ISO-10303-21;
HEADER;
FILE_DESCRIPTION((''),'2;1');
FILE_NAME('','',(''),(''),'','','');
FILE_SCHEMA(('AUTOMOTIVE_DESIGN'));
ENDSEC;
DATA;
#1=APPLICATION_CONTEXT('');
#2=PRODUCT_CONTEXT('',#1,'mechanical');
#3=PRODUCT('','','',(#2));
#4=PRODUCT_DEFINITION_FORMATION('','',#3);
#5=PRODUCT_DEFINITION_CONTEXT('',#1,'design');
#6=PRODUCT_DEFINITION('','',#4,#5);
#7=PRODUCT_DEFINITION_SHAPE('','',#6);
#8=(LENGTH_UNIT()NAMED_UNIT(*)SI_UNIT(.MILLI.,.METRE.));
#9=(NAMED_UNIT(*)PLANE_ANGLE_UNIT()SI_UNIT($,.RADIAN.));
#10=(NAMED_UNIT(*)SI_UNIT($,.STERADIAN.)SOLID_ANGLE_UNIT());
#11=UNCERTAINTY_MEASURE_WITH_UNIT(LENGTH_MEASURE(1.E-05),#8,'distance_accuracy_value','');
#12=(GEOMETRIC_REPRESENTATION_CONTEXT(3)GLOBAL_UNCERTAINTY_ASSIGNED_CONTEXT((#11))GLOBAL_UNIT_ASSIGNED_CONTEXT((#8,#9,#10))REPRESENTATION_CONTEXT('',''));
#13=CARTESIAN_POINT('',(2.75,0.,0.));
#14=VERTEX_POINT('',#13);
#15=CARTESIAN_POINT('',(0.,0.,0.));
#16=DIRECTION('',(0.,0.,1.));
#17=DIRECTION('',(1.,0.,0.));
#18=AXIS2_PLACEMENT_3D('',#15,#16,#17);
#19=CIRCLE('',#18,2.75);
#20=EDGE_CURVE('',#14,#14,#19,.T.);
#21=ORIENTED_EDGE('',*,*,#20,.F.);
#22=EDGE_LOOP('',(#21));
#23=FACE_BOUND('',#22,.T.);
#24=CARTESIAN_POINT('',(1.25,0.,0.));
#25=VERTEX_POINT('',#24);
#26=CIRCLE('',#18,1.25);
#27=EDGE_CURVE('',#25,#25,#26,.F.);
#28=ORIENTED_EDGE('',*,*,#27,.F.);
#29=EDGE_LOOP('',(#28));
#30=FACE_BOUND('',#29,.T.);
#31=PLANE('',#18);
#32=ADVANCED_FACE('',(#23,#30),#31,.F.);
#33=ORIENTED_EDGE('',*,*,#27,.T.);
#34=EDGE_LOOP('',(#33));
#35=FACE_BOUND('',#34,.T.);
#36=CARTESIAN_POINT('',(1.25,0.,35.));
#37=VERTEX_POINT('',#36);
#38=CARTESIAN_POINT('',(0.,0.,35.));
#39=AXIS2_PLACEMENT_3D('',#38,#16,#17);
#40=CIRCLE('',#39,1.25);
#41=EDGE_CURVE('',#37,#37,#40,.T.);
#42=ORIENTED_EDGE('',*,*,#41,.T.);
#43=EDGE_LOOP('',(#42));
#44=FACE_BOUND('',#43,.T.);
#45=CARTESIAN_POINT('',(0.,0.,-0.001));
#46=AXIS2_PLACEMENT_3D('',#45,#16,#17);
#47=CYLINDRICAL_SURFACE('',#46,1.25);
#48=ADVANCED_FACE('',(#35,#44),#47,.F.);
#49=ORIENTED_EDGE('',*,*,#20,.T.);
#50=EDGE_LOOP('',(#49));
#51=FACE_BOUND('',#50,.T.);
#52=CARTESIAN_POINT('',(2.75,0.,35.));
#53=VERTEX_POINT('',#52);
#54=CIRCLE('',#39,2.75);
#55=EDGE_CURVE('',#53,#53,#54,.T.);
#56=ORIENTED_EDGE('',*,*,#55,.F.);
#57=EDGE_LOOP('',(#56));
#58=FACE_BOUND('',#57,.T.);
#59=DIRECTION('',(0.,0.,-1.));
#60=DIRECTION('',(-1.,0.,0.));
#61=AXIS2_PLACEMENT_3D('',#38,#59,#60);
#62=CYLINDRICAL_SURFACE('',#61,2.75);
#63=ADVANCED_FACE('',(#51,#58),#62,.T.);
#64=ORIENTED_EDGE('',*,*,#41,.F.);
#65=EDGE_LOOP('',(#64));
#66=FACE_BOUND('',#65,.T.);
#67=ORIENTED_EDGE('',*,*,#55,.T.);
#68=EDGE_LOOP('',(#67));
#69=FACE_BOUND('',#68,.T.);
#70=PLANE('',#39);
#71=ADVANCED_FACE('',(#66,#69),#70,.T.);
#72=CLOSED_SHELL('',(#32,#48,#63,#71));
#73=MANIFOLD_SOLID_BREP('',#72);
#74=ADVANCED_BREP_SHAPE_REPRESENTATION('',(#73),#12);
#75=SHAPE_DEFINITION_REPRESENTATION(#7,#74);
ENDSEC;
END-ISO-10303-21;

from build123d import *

# Parameters (mm, degrees)
ESQUISSE1_R             = 2.75
BOSS_EXTRU_1_DEPTH      = 35
ENL_V_MAT_EXTRU_1_REACH = 37.215
ESQUISSE2_R             = 1.25


with BuildPart() as part:
    # Esquisse1 → Boss.-Extru.1 (new body)
    with BuildSketch(Plane.XY):
        Circle(ESQUISSE1_R)
    extrude(amount=BOSS_EXTRU_1_DEPTH)

    # Esquisse2 → Enlèv. mat.-Extru.1 (cut, up to next)
    with BuildSketch(Plane.XY.offset(35), mode=Mode.PRIVATE) as enl_v_mat_extru_1_sk1:
        Circle(ESQUISSE2_R)
    enl_v_mat_extru_1_tool1 = extrude(enl_v_mat_extru_1_sk1.sketch, amount=-ENL_V_MAT_EXTRU_1_REACH, mode=Mode.PRIVATE) & part.part
    add(enl_v_mat_extru_1_tool1.solids().sort_by_distance((0, 0, 35))[0], mode=Mode.SUBTRACT)


solid = part.part
